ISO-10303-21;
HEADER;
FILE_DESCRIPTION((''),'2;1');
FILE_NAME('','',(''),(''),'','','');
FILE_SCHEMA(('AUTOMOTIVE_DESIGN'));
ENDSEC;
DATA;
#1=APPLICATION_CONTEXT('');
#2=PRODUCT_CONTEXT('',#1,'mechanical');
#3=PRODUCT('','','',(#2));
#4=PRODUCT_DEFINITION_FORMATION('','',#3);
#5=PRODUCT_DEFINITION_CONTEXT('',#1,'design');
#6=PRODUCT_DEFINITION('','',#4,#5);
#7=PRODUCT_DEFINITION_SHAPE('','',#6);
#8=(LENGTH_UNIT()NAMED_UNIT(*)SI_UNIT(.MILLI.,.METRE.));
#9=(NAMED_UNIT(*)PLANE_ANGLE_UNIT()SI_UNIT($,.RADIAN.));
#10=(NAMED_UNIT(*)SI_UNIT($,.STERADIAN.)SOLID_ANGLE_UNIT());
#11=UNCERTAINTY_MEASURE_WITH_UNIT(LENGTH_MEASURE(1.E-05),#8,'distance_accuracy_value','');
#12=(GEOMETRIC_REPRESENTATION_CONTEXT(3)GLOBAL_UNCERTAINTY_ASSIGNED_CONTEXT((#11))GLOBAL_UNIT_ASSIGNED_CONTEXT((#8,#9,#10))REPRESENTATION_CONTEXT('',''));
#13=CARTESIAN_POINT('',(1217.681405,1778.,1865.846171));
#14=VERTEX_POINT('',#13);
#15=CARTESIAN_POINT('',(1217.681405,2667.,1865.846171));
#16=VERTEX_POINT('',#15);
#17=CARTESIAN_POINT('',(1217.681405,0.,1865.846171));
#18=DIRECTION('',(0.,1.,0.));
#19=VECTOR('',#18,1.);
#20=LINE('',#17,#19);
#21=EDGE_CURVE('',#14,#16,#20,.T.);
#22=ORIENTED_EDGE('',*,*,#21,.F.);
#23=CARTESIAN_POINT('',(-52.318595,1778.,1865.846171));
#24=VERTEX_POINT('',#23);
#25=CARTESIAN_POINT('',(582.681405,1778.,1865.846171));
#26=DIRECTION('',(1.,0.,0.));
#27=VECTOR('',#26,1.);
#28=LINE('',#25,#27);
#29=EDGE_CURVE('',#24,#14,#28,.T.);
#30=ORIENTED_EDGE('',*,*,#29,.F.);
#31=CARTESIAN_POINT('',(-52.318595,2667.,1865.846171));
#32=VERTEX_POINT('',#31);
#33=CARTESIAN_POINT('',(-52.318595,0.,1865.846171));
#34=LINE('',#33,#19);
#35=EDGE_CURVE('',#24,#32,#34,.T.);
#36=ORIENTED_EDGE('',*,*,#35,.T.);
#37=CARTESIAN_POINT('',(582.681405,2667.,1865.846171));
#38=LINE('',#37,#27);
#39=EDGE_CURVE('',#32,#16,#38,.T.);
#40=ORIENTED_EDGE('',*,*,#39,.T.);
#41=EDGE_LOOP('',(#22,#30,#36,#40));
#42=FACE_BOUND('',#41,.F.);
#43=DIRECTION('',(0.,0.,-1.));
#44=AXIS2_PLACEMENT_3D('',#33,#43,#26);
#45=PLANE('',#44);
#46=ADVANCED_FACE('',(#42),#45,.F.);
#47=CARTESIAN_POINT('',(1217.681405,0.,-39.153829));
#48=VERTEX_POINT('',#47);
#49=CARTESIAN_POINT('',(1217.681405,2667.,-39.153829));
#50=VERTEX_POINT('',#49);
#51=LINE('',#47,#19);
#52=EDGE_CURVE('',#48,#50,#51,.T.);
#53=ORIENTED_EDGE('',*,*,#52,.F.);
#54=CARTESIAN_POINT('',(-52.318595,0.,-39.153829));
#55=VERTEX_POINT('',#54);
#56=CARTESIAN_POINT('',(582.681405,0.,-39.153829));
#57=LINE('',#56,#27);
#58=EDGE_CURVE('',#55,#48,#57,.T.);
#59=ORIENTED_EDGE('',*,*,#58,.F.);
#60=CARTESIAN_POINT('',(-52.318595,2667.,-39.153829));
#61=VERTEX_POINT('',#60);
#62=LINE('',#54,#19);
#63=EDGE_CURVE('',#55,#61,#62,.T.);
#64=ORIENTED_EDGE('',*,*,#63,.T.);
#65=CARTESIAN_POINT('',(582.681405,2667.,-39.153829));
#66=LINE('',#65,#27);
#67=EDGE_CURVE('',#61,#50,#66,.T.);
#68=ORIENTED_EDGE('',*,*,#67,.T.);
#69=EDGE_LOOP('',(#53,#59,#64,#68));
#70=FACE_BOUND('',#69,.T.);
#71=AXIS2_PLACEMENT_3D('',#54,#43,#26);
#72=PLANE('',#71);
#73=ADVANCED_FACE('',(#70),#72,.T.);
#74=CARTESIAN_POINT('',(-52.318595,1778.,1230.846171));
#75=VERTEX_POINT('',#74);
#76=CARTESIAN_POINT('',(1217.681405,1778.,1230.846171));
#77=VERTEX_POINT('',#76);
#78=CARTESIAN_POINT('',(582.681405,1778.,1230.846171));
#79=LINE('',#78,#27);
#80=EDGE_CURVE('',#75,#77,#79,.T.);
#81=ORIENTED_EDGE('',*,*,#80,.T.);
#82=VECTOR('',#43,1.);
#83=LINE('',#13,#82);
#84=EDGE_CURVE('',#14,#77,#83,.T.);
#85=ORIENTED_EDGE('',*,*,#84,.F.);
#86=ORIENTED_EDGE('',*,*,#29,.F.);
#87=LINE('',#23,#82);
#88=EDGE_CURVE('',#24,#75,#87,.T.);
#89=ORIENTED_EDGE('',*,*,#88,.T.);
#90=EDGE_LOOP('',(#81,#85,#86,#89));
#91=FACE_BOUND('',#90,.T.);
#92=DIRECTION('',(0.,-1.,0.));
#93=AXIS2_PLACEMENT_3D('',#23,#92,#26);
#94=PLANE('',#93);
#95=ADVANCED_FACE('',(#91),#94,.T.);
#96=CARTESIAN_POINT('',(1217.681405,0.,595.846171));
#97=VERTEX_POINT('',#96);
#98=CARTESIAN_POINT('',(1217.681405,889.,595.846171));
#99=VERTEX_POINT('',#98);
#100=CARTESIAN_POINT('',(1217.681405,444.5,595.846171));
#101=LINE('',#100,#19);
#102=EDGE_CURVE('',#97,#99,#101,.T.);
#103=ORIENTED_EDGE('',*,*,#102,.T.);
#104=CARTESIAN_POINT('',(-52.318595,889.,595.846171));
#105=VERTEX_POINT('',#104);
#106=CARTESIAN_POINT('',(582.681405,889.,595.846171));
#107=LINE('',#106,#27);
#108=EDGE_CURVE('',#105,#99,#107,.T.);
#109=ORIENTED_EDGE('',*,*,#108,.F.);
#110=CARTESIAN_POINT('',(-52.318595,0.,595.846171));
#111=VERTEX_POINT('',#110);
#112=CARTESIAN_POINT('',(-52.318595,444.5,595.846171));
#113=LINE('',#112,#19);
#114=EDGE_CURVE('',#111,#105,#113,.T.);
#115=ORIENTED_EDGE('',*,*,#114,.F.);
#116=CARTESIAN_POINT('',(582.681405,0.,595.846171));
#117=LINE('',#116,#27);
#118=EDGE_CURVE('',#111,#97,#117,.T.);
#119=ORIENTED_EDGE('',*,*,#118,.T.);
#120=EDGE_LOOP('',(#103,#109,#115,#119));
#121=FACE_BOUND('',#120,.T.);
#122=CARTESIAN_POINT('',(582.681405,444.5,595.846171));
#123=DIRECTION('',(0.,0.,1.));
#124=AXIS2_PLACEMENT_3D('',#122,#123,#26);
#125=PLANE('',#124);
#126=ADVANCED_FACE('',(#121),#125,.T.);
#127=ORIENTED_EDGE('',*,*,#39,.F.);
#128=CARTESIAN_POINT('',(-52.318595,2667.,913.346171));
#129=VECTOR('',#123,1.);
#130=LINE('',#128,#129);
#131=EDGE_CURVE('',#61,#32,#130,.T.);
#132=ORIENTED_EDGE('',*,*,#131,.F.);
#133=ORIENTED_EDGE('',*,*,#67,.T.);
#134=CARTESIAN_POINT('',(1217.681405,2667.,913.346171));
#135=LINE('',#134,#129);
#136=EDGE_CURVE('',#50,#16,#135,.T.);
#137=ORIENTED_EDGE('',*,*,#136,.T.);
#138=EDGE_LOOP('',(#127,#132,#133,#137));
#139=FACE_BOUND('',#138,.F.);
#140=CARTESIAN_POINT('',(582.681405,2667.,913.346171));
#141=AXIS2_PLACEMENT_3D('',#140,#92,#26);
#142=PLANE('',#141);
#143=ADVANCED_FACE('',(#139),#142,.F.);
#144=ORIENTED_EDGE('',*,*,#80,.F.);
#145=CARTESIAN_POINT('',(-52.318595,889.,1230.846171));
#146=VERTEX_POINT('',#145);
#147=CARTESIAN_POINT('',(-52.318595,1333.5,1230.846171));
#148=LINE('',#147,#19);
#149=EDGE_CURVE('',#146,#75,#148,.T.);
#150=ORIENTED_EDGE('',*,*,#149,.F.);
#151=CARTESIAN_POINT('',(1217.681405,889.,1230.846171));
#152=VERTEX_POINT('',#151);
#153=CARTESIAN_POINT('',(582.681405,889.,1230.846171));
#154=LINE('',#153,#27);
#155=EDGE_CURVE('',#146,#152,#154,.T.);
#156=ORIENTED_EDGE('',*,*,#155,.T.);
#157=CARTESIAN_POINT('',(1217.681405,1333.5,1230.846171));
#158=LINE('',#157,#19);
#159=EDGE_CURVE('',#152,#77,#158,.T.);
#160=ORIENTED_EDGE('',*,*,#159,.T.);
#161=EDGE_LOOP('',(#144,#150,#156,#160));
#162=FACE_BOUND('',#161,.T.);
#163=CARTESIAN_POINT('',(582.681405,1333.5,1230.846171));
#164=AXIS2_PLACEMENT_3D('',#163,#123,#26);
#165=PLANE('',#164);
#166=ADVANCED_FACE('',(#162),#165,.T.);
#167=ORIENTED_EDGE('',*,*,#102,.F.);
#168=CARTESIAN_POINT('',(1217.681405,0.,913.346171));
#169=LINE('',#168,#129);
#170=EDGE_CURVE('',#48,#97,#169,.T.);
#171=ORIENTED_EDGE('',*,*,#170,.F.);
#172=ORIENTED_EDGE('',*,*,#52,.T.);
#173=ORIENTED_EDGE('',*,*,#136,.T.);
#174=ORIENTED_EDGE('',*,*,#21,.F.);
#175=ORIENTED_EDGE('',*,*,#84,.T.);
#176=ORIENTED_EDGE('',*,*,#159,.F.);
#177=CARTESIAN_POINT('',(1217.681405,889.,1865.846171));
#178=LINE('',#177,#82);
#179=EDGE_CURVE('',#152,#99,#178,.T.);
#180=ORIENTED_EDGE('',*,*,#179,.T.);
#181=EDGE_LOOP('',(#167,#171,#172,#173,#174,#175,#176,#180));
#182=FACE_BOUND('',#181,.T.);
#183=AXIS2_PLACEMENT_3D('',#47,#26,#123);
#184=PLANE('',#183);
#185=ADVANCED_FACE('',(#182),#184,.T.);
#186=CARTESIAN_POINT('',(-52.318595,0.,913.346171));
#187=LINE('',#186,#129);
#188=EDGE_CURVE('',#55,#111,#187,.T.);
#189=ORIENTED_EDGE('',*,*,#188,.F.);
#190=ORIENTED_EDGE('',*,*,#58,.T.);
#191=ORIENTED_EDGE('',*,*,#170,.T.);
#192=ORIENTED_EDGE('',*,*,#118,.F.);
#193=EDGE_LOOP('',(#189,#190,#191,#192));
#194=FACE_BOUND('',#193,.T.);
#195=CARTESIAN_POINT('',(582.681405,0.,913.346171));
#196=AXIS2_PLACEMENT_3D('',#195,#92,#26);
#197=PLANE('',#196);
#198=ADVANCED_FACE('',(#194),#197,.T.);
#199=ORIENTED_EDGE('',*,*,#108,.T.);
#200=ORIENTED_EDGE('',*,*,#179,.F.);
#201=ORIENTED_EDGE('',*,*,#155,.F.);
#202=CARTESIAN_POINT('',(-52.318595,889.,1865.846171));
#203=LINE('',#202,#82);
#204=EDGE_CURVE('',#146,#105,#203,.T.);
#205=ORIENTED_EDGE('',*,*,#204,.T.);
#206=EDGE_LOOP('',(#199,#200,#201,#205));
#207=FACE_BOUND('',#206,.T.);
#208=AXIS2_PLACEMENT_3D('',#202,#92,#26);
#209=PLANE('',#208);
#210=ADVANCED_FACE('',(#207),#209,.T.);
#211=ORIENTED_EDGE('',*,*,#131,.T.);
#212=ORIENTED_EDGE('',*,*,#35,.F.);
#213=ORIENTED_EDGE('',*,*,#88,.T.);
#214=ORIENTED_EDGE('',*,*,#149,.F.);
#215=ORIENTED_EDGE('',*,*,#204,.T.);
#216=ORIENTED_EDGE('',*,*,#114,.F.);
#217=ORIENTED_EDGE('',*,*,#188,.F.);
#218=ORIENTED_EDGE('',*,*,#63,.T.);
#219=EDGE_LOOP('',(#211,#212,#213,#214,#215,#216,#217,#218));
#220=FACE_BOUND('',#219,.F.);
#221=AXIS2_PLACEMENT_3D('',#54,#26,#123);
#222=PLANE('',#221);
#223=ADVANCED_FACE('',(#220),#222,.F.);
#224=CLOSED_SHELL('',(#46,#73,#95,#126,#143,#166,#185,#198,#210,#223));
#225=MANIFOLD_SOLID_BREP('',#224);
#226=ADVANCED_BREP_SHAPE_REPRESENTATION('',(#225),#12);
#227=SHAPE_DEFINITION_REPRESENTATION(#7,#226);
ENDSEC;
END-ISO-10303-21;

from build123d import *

# Parameters (mm, degrees)
F0_W     = 1270
F0_H     = 1905
F1_DEPTH = 2667
F2_W     = 1270
F2_H     = 889
F3_DEPTH = 1270
F4_W     = 1270
F4_H     = 889
F5_DEPTH = 635


with BuildPart() as f1:
    # F0 (on Front) → F1 (new body)
    with BuildSketch(Plane.XZ):
        with Locations((582.681405, 913.346171)):
            Rectangle(F0_W, F0_H)
    extrude(amount=-F1_DEPTH)

    # F2 (on face) → F3 (cut)
    with BuildSketch(Plane.XY.offset(1865.846171)):
        with Locations((582.681405, 444.5)):
            Rectangle(F2_W, F2_H)
    extrude(amount=-F3_DEPTH, mode=Mode.SUBTRACT)

    # F4 (on face) → F5 (cut)
    with BuildSketch(Plane.XY.offset(1865.846171)):
        with Locations((582.681405, 1333.5)):
            Rectangle(F4_W, F4_H)
    extrude(amount=-F5_DEPTH, mode=Mode.SUBTRACT)


solid = f1.part
